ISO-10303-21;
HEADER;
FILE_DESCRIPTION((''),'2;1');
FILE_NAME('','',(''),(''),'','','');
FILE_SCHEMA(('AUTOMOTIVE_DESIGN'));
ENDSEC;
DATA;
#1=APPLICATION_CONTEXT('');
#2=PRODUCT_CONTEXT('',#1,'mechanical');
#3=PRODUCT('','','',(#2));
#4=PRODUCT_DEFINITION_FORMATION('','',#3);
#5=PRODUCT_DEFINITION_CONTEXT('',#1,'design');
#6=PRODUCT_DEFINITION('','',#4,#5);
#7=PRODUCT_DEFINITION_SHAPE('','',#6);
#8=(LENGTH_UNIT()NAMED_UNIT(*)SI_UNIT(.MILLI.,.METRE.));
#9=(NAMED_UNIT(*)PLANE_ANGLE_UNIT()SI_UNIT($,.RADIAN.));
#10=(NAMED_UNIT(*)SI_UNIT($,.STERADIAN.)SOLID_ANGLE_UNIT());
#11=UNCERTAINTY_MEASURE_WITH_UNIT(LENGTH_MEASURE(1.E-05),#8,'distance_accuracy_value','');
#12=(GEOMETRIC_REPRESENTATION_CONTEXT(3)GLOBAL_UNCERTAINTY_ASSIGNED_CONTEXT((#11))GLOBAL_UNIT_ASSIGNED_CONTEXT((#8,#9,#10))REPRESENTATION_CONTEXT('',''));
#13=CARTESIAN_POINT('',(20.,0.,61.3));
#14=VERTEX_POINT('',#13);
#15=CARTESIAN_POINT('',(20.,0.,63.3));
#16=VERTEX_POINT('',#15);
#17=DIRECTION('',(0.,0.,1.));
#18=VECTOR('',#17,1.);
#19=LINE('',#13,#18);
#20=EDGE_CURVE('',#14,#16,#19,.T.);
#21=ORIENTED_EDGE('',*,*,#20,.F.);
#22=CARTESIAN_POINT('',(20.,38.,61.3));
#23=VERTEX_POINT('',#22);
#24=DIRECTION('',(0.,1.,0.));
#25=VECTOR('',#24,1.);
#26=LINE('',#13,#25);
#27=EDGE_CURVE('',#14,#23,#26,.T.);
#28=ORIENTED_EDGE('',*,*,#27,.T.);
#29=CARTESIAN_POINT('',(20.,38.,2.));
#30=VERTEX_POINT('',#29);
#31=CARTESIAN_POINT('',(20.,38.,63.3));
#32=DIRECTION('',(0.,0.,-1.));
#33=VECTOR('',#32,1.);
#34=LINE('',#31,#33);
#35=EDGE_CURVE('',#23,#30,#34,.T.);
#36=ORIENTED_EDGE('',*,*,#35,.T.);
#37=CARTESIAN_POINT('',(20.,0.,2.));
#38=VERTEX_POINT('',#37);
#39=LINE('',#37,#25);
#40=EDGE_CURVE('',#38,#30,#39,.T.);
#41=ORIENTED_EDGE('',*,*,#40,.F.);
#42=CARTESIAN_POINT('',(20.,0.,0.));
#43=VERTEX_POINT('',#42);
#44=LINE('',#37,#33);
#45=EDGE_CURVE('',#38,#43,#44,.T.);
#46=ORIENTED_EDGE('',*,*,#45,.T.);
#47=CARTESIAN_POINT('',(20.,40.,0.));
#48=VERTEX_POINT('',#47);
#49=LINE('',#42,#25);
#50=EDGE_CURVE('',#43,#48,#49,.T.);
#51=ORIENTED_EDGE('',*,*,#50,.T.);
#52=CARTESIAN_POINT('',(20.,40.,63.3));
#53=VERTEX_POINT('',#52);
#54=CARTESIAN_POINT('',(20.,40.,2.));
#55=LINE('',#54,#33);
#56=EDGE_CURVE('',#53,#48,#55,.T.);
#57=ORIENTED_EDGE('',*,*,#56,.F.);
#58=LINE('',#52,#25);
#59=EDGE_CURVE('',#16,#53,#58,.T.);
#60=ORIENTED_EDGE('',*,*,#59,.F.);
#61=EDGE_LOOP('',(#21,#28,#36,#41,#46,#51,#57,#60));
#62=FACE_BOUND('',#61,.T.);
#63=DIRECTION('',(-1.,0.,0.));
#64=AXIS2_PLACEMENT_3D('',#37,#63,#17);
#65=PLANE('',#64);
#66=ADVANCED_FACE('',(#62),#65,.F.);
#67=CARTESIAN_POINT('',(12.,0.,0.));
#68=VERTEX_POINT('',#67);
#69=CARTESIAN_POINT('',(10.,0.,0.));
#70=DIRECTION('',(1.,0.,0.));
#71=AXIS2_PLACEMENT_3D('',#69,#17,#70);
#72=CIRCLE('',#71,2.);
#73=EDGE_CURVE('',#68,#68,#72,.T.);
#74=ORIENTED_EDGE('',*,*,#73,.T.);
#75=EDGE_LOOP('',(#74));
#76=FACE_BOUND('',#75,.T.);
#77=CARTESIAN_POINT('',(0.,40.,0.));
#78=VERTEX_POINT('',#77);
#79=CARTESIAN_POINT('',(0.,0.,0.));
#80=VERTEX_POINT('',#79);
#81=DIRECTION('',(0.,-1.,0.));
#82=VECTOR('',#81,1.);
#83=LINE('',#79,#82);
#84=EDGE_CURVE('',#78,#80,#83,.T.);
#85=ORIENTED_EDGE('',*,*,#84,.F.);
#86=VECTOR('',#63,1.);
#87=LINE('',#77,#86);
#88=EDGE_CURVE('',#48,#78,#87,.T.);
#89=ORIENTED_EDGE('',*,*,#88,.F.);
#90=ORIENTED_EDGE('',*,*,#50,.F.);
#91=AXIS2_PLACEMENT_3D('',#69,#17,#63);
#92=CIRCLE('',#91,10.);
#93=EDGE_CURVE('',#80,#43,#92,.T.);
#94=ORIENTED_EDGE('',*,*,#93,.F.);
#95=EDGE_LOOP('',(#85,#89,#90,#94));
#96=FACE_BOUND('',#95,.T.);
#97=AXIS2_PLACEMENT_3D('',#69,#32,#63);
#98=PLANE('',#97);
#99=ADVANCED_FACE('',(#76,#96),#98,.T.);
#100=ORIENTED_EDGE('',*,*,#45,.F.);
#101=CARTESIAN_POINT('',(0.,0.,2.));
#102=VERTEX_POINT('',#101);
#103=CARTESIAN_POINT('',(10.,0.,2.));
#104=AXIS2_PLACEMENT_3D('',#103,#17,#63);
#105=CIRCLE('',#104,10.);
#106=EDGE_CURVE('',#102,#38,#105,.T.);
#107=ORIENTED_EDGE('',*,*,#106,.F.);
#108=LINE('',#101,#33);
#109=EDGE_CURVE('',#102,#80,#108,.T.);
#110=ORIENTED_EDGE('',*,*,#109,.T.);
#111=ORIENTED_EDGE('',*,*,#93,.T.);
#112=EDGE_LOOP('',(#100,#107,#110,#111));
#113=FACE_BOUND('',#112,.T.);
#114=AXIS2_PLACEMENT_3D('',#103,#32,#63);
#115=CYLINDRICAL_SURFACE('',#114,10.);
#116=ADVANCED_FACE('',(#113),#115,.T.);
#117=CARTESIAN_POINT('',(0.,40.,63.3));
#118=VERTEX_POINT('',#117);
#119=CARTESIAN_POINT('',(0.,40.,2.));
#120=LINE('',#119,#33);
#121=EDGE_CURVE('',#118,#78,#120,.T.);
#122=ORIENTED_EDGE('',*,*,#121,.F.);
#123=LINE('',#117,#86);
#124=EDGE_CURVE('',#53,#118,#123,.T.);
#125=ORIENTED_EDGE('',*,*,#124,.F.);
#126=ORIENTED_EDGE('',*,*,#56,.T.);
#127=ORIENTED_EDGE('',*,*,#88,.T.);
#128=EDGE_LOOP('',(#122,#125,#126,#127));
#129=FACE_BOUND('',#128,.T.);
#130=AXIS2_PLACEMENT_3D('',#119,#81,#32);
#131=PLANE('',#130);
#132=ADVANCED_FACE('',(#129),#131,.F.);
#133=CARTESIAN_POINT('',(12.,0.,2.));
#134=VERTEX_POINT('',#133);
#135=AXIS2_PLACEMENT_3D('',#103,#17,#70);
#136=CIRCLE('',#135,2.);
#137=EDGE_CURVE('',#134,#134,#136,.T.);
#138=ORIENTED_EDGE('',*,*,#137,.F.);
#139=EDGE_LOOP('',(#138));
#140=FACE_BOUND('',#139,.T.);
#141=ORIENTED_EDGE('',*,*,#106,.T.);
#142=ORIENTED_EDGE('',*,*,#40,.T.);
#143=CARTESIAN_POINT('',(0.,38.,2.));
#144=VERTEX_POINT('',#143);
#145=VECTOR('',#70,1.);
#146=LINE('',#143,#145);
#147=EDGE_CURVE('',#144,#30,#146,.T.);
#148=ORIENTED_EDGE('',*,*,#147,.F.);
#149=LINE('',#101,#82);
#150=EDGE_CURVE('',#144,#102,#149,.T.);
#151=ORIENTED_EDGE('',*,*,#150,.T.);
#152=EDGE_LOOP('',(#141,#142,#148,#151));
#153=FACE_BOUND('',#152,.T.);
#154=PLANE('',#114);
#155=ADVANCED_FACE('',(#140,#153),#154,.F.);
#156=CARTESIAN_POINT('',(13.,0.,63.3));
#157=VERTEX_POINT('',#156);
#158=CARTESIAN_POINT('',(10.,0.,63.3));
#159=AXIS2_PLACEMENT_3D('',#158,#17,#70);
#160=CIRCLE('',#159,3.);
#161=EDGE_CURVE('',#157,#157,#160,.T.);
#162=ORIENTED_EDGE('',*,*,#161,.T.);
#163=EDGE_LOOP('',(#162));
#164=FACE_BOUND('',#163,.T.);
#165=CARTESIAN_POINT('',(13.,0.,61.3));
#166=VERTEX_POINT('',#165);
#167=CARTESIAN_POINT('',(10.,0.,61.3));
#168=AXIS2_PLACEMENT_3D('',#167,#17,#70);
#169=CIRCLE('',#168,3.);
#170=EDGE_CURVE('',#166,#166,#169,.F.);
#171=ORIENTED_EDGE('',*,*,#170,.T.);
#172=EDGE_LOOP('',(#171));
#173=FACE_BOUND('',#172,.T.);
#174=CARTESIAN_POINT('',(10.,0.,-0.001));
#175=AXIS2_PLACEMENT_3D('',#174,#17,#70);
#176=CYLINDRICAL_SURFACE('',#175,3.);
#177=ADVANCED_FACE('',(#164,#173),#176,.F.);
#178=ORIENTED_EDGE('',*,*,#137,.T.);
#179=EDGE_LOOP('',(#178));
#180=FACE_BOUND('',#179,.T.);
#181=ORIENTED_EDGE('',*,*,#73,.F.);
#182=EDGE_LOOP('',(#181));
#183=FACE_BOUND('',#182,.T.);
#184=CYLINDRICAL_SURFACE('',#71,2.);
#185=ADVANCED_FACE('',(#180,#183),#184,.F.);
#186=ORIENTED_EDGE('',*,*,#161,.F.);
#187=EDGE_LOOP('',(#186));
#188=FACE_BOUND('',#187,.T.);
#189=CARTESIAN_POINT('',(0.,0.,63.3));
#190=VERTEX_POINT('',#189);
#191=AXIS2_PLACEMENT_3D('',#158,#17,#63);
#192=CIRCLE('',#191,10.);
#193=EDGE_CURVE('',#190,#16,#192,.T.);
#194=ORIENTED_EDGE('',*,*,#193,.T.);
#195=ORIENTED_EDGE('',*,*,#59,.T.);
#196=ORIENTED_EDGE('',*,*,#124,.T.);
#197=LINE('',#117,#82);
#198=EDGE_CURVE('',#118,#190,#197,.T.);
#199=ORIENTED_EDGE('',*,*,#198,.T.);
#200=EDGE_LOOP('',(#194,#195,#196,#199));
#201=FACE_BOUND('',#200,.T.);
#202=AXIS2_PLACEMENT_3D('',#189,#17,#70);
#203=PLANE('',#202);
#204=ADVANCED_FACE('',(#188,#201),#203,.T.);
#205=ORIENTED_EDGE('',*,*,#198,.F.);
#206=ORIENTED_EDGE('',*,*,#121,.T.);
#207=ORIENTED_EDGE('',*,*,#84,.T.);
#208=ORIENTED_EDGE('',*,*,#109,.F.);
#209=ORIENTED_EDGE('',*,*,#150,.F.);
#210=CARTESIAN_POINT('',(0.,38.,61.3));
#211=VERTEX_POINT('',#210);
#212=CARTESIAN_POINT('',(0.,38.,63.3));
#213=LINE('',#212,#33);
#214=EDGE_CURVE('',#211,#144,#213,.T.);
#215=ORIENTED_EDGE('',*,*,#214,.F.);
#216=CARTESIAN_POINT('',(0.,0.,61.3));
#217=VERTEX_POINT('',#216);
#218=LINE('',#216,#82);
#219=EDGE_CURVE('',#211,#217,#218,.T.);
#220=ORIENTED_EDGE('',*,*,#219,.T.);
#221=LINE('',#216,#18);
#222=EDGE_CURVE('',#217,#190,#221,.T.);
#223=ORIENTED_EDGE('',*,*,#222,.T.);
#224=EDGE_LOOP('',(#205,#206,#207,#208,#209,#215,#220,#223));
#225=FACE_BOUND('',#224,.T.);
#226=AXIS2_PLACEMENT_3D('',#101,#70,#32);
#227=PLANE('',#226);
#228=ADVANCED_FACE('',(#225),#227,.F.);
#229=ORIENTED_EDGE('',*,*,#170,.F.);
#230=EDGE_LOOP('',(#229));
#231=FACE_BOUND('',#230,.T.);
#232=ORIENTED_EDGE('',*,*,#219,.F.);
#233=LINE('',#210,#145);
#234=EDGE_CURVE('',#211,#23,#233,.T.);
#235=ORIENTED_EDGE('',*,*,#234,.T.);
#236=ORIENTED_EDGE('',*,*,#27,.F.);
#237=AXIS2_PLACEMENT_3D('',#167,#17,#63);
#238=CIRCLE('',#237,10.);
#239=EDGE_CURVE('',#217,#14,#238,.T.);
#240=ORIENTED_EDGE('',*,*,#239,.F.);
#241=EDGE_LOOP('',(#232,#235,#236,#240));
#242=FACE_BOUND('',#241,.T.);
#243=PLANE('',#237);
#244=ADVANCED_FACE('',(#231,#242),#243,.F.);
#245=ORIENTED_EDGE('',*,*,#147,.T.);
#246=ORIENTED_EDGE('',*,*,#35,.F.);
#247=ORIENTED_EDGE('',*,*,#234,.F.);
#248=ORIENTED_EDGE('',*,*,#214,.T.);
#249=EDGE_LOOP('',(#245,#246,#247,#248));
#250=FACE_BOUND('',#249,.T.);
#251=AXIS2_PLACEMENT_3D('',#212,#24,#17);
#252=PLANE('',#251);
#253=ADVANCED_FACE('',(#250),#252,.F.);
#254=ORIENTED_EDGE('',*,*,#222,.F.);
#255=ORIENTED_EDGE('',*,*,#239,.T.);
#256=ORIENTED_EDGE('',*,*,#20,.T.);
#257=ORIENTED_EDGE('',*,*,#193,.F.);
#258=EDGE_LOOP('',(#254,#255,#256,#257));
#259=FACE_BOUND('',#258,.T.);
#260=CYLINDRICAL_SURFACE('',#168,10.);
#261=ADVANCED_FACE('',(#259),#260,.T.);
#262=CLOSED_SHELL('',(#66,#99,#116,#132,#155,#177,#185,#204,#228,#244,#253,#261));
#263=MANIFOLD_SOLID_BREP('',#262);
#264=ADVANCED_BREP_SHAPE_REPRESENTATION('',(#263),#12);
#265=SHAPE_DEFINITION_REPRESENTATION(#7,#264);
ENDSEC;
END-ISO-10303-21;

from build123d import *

# Parameters (mm, degrees)
EXTRUDE_1_DEPTH     = 2
SKETCH_2_W          = 20
SKETCH_2_H          = 2
EXTRUDE_2_DEPTH     = 61.3
CUT_EXTRUDE_1_REACH = 79.504
SKETCH_4_R          = 3
SKETCH_6_R          = 2
CUT_EXTRUDE_2_DEPTH = 2


with BuildPart() as part:
    # 草图1 → 凸台-拉伸1 (new body)
    with BuildSketch(Plane.XY):
        with BuildLine():
            Line((0, 0), (0, 40))
            Line((0, 40), (20, 40))
            Line((20, 40), (20, 0))
            ThreePointArc((20, 0), (10, -10), (0, 0))
        make_face()
    extrude_1 = extrude(amount=EXTRUDE_1_DEPTH)

    # 草图2 → 凸台-拉伸2 (add)
    with BuildSketch(Plane.XY.offset(2)):
        with Locations((10, 39)):
            Rectangle(SKETCH_2_W, SKETCH_2_H)
    extrude(amount=EXTRUDE_2_DEPTH)

    # 镜向1: 凸台-拉伸1 across plane
    add(extrude_1.mirror(Plane.XY.offset(31.65)))

    # 草图4 → 切除-拉伸1 (cut, up to next)
    with BuildSketch(Plane.XY.offset(63.3), mode=Mode.PRIVATE) as cut_extrude_1_sk1:
        with Locations((10, 0)):
            Circle(SKETCH_4_R)
    cut_extrude_1_tool1 = extrude(cut_extrude_1_sk1.sketch, amount=-CUT_EXTRUDE_1_REACH, mode=Mode.PRIVATE) & part.part
    add(cut_extrude_1_tool1.solids().sort_by_distance((10, 0, 63.3))[0], mode=Mode.SUBTRACT)

    # 草图6 → 切除-拉伸2 (cut)
    with BuildSketch(Plane.XY.offset(2)):
        with Locations((10, 0)):
            Circle(SKETCH_6_R)
    extrude(amount=-CUT_EXTRUDE_2_DEPTH, mode=Mode.SUBTRACT)


solid = part.part
